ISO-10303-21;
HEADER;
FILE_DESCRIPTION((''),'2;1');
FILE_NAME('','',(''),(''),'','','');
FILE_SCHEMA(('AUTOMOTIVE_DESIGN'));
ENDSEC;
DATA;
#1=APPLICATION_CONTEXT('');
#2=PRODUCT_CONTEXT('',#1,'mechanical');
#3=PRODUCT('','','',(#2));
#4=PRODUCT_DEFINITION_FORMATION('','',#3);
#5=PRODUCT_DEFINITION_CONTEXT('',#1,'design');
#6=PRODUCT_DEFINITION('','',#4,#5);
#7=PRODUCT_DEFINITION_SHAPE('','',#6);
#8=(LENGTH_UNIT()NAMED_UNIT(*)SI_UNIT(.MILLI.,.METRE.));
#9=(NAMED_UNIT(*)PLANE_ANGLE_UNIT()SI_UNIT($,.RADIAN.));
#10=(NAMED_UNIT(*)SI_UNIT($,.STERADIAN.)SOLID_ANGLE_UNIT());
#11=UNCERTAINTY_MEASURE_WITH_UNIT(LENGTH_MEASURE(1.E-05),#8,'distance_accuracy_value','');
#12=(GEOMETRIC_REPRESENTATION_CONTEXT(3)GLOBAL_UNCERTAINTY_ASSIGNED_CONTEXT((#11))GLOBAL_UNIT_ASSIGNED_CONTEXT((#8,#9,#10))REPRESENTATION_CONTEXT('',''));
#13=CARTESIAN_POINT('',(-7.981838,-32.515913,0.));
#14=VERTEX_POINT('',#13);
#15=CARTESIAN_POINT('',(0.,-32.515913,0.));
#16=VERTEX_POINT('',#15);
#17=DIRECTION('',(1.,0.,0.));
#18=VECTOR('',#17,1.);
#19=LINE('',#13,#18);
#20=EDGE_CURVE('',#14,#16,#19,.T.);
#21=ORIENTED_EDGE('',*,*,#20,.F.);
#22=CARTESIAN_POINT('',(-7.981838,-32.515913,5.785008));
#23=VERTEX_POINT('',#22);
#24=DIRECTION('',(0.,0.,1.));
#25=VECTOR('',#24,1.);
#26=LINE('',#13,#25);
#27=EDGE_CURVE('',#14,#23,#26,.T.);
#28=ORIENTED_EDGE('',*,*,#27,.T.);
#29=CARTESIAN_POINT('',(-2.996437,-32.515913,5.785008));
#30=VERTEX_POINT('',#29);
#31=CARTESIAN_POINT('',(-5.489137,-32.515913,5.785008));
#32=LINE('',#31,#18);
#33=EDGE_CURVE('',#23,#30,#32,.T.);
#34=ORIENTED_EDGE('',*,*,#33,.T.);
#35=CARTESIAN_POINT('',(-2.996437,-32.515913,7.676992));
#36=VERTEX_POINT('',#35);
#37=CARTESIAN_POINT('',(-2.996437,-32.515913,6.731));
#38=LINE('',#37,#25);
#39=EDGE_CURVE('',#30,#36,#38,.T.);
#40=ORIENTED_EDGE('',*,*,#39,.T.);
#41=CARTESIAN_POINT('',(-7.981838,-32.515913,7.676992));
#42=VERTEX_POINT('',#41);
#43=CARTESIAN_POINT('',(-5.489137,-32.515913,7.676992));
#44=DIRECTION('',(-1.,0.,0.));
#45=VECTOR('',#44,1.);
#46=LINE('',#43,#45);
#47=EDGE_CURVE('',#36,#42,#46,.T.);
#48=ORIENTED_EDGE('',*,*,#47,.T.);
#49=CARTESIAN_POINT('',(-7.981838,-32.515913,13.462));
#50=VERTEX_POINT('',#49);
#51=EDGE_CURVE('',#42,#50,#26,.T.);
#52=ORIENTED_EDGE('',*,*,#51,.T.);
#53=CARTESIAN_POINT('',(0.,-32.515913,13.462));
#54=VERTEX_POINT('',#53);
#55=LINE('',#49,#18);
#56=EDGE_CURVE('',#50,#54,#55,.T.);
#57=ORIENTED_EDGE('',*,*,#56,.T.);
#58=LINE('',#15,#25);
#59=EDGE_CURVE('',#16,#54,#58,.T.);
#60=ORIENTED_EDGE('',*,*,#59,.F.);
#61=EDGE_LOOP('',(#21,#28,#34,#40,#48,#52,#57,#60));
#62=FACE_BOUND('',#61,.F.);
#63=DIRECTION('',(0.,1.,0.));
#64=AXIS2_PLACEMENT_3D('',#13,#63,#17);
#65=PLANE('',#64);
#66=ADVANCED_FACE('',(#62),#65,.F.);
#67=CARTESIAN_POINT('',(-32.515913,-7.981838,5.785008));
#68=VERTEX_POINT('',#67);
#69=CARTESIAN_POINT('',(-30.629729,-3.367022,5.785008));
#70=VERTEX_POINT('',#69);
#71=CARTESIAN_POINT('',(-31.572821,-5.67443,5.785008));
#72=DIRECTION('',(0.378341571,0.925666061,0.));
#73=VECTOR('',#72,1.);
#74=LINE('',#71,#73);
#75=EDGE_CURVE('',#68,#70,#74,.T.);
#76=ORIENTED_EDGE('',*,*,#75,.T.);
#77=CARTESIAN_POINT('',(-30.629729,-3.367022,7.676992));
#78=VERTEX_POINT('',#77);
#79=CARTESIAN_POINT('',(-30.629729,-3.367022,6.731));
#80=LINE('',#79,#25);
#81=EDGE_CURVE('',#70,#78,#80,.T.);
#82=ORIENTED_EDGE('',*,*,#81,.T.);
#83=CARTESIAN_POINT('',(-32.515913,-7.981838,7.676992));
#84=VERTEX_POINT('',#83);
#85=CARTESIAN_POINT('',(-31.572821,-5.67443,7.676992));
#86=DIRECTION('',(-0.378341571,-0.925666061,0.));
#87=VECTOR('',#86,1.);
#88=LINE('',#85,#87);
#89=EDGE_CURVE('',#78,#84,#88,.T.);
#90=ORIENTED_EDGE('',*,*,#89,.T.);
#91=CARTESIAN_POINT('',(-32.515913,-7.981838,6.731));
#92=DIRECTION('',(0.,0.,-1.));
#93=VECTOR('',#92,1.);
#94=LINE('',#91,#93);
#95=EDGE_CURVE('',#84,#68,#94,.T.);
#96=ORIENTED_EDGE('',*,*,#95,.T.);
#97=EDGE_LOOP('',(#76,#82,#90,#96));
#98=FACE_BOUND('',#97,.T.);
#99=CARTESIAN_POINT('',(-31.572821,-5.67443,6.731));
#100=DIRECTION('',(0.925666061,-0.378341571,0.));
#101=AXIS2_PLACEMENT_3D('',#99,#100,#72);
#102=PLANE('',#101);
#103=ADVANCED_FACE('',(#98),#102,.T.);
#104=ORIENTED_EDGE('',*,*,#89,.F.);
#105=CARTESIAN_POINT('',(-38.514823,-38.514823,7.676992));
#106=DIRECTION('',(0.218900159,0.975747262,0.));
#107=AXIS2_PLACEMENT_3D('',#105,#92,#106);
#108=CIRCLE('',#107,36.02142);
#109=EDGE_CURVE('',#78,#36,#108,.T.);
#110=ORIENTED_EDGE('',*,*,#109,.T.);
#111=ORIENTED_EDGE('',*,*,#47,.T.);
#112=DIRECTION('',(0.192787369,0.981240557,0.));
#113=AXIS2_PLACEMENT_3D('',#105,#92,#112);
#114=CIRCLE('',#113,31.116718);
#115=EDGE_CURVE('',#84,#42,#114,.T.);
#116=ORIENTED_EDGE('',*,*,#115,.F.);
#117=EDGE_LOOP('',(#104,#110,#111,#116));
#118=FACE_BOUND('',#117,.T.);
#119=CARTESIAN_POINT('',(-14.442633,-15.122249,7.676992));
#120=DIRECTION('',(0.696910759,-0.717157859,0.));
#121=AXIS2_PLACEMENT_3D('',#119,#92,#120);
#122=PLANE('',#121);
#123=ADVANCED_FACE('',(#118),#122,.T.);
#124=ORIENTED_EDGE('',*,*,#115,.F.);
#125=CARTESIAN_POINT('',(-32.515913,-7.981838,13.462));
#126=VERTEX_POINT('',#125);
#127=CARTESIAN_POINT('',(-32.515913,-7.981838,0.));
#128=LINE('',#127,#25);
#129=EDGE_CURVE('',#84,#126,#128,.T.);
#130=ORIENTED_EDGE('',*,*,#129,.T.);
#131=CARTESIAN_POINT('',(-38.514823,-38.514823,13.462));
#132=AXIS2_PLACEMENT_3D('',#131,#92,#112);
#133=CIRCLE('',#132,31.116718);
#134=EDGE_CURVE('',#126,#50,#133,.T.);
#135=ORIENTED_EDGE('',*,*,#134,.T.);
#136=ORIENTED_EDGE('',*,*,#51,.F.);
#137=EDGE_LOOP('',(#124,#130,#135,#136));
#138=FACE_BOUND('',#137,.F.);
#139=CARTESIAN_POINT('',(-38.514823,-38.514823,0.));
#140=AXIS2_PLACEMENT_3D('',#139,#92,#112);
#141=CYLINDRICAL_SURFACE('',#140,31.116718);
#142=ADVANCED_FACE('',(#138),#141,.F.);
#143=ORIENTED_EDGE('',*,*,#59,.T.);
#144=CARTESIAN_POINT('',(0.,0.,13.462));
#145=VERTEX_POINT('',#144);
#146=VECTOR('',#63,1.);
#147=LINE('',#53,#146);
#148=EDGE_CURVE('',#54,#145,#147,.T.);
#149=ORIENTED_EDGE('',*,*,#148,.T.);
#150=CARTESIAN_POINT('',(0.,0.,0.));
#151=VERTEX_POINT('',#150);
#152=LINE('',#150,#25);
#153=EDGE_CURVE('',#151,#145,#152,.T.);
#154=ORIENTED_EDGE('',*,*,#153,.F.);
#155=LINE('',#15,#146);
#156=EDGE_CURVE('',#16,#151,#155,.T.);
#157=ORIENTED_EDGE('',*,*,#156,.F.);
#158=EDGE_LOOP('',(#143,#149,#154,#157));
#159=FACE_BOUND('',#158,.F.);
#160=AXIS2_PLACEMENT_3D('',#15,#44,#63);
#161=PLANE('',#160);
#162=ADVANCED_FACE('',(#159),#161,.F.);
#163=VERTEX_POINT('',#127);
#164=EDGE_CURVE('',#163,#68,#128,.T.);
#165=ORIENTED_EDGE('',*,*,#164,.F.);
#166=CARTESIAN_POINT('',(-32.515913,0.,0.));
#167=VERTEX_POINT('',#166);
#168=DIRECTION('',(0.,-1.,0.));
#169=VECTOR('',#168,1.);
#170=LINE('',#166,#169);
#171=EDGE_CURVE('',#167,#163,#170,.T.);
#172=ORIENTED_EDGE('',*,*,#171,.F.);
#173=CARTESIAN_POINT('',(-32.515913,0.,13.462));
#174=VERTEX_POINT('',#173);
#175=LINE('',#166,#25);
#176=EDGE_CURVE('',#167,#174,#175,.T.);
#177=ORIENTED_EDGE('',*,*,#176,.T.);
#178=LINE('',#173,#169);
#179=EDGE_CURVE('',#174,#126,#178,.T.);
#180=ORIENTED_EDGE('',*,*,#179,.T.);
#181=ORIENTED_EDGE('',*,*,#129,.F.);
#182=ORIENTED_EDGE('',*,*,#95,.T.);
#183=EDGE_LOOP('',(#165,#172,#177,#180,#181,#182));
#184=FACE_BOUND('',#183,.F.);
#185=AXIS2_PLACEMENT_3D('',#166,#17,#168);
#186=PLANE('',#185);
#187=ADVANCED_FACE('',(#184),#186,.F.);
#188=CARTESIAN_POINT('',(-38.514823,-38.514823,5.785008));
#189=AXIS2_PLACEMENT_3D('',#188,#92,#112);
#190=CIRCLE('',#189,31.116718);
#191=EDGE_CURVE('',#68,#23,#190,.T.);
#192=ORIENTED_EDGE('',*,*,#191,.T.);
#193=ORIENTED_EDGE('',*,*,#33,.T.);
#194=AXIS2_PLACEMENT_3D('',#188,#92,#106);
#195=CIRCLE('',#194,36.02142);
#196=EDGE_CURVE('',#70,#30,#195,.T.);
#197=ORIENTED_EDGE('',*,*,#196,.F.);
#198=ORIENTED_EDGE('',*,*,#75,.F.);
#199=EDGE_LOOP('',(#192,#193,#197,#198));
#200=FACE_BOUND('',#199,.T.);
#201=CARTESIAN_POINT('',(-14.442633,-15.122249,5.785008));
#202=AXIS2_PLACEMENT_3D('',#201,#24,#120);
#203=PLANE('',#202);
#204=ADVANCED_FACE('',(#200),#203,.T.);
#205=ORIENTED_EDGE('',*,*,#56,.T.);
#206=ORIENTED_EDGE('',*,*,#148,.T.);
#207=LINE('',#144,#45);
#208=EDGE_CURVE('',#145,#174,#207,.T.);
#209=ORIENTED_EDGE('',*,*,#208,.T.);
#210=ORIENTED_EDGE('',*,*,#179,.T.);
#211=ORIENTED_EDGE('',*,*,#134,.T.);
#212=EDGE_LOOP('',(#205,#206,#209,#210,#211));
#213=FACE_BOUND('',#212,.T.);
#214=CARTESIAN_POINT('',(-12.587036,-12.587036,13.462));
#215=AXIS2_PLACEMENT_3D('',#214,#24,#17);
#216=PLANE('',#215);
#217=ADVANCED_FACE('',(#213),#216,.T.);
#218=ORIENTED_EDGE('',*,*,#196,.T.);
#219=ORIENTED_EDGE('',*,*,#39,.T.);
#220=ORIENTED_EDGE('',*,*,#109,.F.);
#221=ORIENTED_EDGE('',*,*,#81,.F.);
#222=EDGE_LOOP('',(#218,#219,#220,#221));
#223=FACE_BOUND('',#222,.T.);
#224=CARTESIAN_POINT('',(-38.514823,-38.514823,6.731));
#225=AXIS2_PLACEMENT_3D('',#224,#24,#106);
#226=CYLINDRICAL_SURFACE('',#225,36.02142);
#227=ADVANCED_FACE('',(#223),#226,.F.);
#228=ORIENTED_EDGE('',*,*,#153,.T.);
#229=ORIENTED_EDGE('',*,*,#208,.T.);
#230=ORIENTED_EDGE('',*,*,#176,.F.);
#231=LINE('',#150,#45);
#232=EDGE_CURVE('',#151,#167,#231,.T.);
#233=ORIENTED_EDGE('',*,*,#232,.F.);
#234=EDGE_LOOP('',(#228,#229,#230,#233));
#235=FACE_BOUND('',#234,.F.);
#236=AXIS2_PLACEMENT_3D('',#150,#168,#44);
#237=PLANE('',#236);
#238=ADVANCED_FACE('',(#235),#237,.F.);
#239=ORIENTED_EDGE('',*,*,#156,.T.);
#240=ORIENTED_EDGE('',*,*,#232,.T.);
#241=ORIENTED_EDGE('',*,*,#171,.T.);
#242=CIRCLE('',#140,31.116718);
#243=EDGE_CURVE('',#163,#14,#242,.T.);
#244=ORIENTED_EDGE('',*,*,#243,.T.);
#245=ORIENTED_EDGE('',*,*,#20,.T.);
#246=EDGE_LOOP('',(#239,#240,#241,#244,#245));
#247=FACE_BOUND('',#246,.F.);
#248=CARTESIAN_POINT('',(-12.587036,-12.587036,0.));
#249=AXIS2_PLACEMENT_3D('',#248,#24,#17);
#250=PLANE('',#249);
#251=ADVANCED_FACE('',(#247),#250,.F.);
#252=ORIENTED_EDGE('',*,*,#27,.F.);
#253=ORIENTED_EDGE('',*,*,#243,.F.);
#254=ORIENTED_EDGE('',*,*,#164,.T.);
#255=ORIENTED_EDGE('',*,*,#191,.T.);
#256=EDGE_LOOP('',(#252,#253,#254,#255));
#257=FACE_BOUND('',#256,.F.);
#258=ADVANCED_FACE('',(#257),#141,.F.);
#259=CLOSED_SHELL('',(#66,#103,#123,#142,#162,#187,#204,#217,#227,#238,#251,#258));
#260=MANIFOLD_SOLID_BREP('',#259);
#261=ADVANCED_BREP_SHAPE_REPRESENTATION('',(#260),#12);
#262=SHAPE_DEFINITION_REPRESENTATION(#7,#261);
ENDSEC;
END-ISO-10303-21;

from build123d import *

# Parameters (mm, degrees)
F1_DEPTH = 13.462
F2_W     = 4.9854009032
F2_H     = 1.8919831465


with BuildPart() as f1:
    # F0 (on Top) → F1 (new body)
    with BuildSketch(Plane.XY):
        with BuildLine():
            Line((0, 0), (-32.5159132481, 0))
            Line((-32.5159132481, 0), (-32.5159132481, -7.981837922))
            ThreePointArc((-32.5159132481, -7.981837922), (-16.5119812517, -16.5119812517), (-7.981837922, -32.5159132481))
            Line((-7.981837922, -32.5159132481), (0, -32.5159132481))
            Line((0, -32.5159132481), (0, 0))
        make_face()
    extrude(amount=F1_DEPTH)

    # F3: sweep along a path in F3_path
    with BuildLine(Plane(origin=(-32.5159132481, -7.981837922, 13.462), x_dir=(0, 1, 0), z_dir=(0, 0, 1))) as f3_path:
        ThreePointArc((0, 0), (-8.5301433298, -16.0039319963), (-24.5340753261, -24.5340753261))
    # F2 (on face) → F3 (sweep, cut)
    with BuildSketch(Plane.XZ.offset(32.5159132481)):
        with Locations((-5.4891374703, 6.731)):
            Rectangle(F2_W, F2_H)
    sweep(path=f3_path.line, mode=Mode.SUBTRACT)


solid = f1.part
